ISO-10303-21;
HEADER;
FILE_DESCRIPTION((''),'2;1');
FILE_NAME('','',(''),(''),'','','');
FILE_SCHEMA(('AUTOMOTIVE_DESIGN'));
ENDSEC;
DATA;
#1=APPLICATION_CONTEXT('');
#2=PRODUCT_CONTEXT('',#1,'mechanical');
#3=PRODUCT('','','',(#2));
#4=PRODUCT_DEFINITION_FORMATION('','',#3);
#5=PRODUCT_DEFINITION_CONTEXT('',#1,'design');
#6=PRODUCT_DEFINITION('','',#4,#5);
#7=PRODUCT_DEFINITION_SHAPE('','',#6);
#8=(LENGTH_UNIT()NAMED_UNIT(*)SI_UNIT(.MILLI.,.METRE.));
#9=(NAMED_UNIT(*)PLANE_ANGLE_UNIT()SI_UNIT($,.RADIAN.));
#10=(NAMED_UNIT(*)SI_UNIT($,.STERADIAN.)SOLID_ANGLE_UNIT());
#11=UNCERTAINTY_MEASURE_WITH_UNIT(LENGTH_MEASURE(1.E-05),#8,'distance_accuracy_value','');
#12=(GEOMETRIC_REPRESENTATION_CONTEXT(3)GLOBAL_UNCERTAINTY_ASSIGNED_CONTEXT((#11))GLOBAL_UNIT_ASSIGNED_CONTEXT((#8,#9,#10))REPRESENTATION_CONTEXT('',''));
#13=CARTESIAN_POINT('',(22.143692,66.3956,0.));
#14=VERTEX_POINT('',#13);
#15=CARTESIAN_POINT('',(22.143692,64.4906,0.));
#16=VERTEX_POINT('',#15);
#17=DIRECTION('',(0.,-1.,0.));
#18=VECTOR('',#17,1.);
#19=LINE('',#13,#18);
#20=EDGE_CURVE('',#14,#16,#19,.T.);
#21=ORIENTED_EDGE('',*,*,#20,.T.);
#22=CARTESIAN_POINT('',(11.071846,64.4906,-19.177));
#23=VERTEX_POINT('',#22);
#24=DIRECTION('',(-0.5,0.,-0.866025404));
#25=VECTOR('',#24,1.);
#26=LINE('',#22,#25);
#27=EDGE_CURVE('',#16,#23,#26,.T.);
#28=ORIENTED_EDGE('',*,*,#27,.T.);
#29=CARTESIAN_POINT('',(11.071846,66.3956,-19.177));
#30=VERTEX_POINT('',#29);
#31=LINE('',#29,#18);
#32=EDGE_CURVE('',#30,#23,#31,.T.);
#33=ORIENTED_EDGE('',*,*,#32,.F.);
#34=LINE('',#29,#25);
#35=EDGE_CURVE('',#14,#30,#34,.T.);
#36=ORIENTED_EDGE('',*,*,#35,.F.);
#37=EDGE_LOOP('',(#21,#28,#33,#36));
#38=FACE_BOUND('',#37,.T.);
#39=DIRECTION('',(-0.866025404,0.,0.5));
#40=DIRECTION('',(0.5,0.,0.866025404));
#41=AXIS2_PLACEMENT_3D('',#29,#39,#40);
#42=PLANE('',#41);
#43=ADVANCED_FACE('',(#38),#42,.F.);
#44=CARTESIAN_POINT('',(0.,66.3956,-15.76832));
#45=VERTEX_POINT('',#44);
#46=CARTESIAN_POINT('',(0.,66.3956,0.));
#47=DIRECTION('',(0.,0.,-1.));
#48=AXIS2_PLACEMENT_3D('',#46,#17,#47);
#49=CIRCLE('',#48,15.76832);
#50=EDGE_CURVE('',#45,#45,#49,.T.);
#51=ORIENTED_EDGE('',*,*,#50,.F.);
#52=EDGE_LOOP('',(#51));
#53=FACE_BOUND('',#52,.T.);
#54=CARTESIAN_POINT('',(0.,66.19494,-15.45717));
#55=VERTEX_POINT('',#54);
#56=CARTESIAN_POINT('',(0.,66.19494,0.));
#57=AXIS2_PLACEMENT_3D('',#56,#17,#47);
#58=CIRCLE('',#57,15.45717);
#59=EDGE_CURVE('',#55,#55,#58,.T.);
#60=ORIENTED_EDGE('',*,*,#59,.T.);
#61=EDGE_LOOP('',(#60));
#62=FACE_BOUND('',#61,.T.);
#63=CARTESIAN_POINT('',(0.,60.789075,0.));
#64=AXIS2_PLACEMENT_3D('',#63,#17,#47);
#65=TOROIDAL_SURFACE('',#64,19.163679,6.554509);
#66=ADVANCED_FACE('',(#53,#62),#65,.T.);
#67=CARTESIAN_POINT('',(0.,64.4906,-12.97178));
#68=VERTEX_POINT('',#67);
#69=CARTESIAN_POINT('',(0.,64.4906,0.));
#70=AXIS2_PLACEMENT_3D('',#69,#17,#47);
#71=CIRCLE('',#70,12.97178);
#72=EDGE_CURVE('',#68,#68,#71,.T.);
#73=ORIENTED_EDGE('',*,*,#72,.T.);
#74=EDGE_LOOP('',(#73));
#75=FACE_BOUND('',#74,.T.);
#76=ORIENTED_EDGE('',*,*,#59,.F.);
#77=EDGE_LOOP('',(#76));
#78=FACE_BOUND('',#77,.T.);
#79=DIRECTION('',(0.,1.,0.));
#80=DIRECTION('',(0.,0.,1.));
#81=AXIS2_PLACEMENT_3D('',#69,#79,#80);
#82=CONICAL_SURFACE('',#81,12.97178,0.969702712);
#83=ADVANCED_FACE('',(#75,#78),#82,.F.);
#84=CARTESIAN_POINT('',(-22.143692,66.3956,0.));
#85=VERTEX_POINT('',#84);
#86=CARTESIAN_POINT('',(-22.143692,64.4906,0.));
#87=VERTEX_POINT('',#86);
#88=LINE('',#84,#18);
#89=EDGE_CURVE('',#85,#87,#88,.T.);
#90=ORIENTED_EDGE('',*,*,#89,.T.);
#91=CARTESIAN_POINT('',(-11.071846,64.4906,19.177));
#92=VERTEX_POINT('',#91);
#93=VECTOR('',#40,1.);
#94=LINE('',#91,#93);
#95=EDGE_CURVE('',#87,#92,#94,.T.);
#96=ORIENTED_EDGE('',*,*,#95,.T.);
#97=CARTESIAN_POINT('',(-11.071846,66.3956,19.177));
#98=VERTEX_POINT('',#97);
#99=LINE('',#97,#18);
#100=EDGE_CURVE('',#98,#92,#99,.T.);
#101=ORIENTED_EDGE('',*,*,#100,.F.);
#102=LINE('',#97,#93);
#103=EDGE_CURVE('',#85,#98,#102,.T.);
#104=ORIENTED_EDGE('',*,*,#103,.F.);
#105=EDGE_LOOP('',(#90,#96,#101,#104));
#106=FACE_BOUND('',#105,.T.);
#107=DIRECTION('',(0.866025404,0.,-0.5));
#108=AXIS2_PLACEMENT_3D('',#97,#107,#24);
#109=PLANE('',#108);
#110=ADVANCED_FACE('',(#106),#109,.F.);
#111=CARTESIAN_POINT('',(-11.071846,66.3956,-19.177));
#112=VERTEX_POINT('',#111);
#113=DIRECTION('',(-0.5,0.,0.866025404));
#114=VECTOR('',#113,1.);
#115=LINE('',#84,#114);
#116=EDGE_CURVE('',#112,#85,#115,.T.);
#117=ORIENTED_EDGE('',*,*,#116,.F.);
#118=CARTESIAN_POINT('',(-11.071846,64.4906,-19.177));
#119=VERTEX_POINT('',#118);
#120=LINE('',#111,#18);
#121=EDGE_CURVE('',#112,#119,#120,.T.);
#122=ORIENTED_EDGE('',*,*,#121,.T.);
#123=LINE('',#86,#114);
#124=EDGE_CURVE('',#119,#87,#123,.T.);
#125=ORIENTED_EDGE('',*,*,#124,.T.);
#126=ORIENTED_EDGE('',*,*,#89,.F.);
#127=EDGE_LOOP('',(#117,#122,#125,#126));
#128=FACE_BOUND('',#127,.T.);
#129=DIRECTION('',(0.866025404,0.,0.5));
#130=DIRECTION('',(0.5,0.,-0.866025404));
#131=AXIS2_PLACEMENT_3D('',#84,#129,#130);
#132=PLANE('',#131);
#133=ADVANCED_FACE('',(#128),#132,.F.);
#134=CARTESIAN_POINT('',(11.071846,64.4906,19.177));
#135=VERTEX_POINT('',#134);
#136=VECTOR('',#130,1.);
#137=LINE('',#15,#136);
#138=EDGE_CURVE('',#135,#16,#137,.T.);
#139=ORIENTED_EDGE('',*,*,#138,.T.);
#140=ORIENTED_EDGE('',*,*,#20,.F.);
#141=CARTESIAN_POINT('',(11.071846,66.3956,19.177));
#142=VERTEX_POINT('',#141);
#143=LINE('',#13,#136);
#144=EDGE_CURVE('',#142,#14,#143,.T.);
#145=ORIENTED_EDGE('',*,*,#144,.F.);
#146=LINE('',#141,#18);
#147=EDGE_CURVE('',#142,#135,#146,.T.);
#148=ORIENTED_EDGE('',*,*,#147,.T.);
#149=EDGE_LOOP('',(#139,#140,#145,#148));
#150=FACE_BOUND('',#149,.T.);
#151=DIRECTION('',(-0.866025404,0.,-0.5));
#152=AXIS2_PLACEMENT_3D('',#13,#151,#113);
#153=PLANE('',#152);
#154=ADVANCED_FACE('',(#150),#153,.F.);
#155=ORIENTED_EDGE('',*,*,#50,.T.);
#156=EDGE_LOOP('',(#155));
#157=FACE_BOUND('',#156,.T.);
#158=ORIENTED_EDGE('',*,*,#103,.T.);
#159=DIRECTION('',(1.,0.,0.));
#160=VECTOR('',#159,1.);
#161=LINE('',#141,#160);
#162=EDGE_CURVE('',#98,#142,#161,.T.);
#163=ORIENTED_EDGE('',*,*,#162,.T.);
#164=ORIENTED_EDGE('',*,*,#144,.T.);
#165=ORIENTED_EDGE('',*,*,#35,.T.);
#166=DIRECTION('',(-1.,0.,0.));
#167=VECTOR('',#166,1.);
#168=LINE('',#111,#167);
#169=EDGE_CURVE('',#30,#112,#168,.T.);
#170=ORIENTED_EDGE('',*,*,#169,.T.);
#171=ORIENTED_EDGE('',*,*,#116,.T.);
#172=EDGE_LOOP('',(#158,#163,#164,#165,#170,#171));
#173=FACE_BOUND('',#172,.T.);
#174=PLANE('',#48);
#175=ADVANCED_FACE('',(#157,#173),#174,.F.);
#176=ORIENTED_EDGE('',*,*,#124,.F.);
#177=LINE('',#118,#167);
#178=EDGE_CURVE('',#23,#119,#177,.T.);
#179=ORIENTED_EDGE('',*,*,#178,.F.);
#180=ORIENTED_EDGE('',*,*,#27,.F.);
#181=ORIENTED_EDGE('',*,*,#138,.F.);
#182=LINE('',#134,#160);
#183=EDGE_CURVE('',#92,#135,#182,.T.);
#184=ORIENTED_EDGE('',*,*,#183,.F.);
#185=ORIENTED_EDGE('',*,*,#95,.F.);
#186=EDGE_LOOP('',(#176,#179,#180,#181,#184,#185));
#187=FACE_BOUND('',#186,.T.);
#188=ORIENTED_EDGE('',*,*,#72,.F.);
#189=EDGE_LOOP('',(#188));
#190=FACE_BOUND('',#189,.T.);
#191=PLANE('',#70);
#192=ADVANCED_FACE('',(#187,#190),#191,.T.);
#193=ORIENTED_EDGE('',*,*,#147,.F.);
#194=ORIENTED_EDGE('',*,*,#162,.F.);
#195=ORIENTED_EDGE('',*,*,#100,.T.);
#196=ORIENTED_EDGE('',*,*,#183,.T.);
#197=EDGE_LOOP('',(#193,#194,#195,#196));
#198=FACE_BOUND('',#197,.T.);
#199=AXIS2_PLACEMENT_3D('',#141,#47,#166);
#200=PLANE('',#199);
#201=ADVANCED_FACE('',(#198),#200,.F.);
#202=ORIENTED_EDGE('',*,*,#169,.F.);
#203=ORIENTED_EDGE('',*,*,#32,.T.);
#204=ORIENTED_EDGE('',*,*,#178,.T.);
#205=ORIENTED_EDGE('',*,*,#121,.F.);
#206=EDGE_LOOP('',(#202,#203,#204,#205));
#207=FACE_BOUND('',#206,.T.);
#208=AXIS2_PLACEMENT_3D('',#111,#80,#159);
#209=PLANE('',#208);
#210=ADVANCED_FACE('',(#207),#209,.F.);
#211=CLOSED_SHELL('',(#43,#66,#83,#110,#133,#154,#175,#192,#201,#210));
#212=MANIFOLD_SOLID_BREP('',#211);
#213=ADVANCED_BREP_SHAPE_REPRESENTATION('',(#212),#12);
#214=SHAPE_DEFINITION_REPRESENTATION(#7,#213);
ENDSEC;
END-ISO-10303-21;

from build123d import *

# Parameters (mm, degrees)
EXT_HEX_DEPTH = 1.905


with BuildPart() as part:
    # Sk_hex → Ext_hex (new body)
    with BuildSketch(Plane(origin=(0, 64.4906, 0), x_dir=(1, 0, 0), z_dir=(0, 1, 0))):
        Polygon((22.143692224, 0), (11.071846112, -19.177), (-11.071846112, -19.177), (-22.143692224, 0), (-11.071846112, 19.177), (11.071846112, 19.177), align=None)
    extrude(amount=EXT_HEX_DEPTH)

    # Sk_hex_bore → Cut_hex_bore (revolve, cut)
    with BuildSketch(Plane.XY, mode=Mode.PRIVATE) as cut_hex_bore_sk:
        with BuildLine():
            Line((0, 64.008), (12.97178, 64.008))
            Line((12.97178, 64.008), (12.97178, 64.4906))
            Line((12.97178, 64.4906), (15.45717, 66.19494))
            ThreePointArc((15.45717, 66.19494), (15.611327894, 66.297467411), (15.76832, 66.3956))
            Line((15.76832, 66.3956), (15.76832, 66.802))
            Line((15.76832, 66.802), (0, 66.802))
            Line((0, 66.802), (0, 64.008))
        make_face()
    revolve(cut_hex_bore_sk.sketch.rotate(Axis((0, -25.4, 0), (0, 1, 0)), 90), axis=Axis((0, -25.4, 0), (0, 1, 0)), mode=Mode.SUBTRACT)


solid = part.part
